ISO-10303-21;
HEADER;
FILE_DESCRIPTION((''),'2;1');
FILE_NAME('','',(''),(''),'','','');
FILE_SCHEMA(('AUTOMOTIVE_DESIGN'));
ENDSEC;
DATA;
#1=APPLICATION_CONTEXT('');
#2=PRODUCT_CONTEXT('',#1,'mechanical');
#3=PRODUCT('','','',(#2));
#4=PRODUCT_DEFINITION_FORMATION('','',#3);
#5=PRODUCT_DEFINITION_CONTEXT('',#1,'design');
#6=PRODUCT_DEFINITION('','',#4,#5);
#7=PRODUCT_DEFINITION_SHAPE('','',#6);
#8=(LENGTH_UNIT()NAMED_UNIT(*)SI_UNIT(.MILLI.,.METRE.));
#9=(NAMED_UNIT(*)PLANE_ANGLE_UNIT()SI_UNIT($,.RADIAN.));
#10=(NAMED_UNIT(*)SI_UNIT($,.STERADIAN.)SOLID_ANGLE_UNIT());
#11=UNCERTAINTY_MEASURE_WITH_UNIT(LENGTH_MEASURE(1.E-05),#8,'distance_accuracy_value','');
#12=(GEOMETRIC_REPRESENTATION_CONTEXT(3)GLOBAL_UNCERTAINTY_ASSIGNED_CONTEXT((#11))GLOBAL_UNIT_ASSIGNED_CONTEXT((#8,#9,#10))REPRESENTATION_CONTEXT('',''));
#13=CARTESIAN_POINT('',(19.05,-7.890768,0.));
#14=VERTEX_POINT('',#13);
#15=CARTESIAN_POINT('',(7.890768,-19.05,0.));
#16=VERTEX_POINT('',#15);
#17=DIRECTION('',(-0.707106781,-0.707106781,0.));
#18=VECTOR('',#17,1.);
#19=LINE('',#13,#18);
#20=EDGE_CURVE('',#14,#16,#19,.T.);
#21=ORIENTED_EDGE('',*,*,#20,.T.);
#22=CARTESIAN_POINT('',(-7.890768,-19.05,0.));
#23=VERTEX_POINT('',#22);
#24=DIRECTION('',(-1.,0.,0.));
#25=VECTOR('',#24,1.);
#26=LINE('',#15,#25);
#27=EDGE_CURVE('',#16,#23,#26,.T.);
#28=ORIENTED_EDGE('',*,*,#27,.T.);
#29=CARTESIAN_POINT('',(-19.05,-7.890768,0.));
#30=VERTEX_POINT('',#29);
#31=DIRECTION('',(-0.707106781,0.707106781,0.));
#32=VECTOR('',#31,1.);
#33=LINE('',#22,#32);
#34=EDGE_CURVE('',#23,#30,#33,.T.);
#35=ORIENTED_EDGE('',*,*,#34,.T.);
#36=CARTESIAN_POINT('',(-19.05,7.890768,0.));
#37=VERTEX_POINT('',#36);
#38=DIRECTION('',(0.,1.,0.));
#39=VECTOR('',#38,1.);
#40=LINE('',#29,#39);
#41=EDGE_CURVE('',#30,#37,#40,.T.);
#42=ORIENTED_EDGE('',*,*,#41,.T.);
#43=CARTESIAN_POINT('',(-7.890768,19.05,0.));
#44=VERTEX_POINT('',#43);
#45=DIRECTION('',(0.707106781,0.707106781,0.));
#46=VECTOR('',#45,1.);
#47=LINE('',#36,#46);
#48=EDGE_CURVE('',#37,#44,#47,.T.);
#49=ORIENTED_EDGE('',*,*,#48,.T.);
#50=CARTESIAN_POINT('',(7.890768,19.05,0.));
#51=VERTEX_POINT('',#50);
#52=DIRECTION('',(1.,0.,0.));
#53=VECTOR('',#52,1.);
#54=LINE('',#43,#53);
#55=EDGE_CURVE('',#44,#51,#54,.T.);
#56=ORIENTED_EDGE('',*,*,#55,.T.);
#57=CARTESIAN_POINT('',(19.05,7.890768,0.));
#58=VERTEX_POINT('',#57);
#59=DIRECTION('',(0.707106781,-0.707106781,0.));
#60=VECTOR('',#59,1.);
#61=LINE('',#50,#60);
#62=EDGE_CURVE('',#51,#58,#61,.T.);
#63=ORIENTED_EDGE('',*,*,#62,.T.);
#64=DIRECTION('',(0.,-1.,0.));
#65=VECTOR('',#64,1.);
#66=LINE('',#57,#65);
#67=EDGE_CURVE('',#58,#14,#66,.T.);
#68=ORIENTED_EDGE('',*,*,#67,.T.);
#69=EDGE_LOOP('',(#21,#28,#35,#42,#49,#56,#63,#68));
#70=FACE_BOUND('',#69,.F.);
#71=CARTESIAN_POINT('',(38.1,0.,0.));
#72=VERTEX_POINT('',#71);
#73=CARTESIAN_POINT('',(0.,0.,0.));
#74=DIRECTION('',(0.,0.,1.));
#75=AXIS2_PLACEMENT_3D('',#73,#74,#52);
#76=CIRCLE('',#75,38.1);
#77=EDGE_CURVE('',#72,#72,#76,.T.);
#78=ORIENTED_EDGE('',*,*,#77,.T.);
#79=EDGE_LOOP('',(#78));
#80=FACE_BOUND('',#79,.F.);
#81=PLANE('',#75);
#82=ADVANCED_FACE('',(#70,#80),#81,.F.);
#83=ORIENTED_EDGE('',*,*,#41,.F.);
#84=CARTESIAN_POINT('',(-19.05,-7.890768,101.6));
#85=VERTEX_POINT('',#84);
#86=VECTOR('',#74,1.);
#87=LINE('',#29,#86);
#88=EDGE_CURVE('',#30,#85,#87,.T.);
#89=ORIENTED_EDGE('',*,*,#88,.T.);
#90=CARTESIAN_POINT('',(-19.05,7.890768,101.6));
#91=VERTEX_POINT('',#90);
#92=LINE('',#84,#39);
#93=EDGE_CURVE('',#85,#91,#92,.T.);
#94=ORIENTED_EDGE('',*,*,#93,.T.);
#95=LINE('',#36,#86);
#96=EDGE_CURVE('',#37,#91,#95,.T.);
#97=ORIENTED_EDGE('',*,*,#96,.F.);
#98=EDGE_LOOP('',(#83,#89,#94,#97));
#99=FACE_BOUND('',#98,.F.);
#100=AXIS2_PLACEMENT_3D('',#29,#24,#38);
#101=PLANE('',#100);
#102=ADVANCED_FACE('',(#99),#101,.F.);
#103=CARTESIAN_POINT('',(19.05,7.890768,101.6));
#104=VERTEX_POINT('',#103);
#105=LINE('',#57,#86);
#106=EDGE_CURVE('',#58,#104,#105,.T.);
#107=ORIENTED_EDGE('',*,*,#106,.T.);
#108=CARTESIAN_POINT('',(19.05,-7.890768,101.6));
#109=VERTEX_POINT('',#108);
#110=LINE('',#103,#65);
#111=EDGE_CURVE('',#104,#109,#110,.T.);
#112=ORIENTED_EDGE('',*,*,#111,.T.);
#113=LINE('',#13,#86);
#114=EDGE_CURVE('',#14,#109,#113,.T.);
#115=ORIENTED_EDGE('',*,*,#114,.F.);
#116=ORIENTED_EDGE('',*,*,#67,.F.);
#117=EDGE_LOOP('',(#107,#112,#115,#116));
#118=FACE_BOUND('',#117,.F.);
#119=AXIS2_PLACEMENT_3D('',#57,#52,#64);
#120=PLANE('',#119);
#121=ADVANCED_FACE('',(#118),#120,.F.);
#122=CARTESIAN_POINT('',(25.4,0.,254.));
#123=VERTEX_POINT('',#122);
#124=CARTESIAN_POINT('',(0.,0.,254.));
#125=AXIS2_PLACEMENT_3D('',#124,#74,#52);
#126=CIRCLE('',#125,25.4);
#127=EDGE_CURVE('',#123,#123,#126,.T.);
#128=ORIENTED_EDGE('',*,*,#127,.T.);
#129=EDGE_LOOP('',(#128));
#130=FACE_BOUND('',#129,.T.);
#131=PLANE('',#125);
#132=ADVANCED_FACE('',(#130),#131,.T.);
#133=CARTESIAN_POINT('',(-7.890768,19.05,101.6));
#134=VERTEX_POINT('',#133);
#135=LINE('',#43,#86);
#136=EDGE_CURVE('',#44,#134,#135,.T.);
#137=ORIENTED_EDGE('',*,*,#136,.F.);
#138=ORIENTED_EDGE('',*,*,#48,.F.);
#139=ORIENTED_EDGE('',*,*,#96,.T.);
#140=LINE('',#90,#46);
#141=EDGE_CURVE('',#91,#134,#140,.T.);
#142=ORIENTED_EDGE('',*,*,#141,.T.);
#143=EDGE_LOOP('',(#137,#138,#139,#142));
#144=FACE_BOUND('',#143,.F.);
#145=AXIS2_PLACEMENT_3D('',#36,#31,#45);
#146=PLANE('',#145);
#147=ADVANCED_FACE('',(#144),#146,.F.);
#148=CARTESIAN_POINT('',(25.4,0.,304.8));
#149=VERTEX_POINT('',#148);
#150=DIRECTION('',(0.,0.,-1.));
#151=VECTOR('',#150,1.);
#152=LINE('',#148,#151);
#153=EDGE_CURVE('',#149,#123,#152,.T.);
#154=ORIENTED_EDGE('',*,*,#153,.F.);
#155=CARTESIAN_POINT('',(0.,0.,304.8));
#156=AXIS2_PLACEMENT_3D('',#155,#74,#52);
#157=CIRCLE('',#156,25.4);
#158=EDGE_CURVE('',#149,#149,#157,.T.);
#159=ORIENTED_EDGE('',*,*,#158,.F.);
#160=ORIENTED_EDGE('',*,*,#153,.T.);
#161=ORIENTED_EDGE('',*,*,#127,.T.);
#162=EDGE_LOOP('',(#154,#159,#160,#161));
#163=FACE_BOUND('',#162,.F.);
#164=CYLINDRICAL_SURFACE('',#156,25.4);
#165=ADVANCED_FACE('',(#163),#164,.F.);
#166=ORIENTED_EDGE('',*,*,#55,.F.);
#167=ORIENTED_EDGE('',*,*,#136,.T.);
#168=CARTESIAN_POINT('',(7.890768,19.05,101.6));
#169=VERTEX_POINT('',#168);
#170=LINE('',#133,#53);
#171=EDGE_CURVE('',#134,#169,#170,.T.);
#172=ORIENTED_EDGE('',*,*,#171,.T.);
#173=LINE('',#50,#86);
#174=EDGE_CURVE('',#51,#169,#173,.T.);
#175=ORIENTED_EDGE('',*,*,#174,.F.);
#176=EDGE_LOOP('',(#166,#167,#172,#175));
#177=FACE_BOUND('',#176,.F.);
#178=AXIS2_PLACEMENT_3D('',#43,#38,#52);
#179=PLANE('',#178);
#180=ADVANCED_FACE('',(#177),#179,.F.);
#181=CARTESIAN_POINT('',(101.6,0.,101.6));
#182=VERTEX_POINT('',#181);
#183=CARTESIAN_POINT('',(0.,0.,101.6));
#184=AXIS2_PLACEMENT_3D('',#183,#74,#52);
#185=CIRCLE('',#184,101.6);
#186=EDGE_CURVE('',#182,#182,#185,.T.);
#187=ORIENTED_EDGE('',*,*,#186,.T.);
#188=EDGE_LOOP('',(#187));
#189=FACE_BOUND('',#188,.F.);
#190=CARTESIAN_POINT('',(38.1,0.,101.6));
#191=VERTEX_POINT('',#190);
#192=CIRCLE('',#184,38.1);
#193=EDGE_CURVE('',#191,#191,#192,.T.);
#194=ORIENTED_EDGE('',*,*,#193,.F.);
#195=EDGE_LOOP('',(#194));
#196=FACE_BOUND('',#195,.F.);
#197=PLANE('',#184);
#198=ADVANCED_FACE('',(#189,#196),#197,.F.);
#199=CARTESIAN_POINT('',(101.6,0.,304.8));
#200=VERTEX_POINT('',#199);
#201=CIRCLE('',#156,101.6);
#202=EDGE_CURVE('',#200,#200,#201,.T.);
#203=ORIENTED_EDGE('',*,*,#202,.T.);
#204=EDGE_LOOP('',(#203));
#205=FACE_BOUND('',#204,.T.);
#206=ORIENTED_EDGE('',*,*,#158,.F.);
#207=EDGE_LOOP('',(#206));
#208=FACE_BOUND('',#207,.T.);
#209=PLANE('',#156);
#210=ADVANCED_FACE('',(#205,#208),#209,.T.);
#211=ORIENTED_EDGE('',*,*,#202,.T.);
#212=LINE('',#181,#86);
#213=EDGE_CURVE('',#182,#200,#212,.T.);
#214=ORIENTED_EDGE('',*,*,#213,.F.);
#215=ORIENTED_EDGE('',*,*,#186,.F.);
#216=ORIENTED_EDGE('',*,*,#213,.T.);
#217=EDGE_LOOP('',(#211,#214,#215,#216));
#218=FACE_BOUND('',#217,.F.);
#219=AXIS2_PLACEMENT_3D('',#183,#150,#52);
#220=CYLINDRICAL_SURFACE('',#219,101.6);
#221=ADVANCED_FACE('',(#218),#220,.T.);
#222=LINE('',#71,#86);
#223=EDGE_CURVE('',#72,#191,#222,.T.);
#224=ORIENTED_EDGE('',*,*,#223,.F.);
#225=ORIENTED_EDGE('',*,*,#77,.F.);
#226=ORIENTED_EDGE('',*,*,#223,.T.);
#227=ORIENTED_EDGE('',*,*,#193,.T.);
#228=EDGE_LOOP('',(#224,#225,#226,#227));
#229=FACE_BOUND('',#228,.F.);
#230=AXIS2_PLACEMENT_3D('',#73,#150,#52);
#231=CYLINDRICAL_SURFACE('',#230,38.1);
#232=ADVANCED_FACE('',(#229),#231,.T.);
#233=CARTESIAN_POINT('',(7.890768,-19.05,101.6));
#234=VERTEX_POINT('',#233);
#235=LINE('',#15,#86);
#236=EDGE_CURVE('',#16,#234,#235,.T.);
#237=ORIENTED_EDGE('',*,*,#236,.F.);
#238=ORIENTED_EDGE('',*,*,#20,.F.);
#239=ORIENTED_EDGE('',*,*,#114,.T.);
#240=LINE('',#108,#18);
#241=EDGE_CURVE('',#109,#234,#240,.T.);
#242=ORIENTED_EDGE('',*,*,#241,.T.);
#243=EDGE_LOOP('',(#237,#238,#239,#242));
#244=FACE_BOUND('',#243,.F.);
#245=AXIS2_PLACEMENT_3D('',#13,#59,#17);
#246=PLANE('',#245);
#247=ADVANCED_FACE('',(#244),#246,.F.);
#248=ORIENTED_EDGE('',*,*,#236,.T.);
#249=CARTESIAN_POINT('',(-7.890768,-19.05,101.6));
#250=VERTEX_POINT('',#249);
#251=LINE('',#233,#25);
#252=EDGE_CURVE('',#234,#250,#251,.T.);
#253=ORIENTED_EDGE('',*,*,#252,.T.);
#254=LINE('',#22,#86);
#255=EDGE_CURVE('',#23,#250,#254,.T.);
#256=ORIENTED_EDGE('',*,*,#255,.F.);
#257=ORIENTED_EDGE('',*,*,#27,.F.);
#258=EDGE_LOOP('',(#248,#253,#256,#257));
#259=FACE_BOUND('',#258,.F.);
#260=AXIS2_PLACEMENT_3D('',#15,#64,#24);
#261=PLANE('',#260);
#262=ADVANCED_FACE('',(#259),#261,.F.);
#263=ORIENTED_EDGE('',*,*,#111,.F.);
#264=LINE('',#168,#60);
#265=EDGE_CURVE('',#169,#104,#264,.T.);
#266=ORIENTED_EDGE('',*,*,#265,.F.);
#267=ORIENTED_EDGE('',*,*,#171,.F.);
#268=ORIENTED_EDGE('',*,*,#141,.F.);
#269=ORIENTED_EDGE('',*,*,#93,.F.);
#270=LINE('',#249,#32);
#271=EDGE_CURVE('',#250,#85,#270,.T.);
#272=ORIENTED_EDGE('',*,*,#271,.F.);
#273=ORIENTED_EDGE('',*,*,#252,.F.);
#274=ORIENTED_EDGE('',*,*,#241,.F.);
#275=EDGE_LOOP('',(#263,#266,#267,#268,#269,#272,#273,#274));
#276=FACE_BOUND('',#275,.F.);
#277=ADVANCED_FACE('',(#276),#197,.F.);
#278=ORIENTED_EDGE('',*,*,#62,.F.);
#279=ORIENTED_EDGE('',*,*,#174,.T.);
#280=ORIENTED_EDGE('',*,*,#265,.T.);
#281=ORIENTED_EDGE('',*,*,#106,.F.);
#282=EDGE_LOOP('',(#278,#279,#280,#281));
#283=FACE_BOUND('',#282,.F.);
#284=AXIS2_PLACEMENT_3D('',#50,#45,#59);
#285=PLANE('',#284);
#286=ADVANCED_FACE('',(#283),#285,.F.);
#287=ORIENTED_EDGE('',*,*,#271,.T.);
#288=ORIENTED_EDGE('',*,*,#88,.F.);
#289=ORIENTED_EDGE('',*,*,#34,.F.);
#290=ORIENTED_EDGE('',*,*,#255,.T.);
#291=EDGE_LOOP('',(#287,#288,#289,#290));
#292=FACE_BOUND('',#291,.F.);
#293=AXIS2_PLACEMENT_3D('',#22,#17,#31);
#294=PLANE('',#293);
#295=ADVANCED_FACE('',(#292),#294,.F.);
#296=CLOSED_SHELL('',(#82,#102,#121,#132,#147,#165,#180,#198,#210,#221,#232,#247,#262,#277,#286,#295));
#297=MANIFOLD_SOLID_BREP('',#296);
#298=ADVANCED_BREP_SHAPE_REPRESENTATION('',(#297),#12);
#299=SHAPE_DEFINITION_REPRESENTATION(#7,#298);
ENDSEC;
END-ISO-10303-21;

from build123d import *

# Parameters (mm, degrees)
F0_R     = 38.1
F1_DEPTH = 101.6
F2_R     = 101.6
F2_R_2   = 38.1
F3_DEPTH = 203.2
F4_R     = 25.4
F5_DEPTH = 50.8


with BuildPart() as f1:
    # F0 (on Top) → F1 (new body)
    with BuildSketch(Plane.XY):
        Circle(F0_R)
        Polygon((-19.05, 7.890768), (-7.890768, 19.05), (7.890768, 19.05), (19.05, 7.890768), (19.05, -7.890768), (7.890768, -19.05), (-7.890768, -19.05), (-19.05, -7.890768), align=None, mode=Mode.SUBTRACT)
    extrude(amount=F1_DEPTH)

    # F2 (on face) → F3 (join)
    with BuildSketch(Plane.XY.offset(101.6)):
        Circle(F2_R)
        Circle(F2_R_2, mode=Mode.SUBTRACT)
        Circle(F2_R)
    extrude(amount=F3_DEPTH)

    # F4 (on face) → F5 (cut)
    with BuildSketch(Plane.XY.offset(304.8)):
        Circle(F4_R)
    extrude(amount=-F5_DEPTH, mode=Mode.SUBTRACT)


solid = f1.part
